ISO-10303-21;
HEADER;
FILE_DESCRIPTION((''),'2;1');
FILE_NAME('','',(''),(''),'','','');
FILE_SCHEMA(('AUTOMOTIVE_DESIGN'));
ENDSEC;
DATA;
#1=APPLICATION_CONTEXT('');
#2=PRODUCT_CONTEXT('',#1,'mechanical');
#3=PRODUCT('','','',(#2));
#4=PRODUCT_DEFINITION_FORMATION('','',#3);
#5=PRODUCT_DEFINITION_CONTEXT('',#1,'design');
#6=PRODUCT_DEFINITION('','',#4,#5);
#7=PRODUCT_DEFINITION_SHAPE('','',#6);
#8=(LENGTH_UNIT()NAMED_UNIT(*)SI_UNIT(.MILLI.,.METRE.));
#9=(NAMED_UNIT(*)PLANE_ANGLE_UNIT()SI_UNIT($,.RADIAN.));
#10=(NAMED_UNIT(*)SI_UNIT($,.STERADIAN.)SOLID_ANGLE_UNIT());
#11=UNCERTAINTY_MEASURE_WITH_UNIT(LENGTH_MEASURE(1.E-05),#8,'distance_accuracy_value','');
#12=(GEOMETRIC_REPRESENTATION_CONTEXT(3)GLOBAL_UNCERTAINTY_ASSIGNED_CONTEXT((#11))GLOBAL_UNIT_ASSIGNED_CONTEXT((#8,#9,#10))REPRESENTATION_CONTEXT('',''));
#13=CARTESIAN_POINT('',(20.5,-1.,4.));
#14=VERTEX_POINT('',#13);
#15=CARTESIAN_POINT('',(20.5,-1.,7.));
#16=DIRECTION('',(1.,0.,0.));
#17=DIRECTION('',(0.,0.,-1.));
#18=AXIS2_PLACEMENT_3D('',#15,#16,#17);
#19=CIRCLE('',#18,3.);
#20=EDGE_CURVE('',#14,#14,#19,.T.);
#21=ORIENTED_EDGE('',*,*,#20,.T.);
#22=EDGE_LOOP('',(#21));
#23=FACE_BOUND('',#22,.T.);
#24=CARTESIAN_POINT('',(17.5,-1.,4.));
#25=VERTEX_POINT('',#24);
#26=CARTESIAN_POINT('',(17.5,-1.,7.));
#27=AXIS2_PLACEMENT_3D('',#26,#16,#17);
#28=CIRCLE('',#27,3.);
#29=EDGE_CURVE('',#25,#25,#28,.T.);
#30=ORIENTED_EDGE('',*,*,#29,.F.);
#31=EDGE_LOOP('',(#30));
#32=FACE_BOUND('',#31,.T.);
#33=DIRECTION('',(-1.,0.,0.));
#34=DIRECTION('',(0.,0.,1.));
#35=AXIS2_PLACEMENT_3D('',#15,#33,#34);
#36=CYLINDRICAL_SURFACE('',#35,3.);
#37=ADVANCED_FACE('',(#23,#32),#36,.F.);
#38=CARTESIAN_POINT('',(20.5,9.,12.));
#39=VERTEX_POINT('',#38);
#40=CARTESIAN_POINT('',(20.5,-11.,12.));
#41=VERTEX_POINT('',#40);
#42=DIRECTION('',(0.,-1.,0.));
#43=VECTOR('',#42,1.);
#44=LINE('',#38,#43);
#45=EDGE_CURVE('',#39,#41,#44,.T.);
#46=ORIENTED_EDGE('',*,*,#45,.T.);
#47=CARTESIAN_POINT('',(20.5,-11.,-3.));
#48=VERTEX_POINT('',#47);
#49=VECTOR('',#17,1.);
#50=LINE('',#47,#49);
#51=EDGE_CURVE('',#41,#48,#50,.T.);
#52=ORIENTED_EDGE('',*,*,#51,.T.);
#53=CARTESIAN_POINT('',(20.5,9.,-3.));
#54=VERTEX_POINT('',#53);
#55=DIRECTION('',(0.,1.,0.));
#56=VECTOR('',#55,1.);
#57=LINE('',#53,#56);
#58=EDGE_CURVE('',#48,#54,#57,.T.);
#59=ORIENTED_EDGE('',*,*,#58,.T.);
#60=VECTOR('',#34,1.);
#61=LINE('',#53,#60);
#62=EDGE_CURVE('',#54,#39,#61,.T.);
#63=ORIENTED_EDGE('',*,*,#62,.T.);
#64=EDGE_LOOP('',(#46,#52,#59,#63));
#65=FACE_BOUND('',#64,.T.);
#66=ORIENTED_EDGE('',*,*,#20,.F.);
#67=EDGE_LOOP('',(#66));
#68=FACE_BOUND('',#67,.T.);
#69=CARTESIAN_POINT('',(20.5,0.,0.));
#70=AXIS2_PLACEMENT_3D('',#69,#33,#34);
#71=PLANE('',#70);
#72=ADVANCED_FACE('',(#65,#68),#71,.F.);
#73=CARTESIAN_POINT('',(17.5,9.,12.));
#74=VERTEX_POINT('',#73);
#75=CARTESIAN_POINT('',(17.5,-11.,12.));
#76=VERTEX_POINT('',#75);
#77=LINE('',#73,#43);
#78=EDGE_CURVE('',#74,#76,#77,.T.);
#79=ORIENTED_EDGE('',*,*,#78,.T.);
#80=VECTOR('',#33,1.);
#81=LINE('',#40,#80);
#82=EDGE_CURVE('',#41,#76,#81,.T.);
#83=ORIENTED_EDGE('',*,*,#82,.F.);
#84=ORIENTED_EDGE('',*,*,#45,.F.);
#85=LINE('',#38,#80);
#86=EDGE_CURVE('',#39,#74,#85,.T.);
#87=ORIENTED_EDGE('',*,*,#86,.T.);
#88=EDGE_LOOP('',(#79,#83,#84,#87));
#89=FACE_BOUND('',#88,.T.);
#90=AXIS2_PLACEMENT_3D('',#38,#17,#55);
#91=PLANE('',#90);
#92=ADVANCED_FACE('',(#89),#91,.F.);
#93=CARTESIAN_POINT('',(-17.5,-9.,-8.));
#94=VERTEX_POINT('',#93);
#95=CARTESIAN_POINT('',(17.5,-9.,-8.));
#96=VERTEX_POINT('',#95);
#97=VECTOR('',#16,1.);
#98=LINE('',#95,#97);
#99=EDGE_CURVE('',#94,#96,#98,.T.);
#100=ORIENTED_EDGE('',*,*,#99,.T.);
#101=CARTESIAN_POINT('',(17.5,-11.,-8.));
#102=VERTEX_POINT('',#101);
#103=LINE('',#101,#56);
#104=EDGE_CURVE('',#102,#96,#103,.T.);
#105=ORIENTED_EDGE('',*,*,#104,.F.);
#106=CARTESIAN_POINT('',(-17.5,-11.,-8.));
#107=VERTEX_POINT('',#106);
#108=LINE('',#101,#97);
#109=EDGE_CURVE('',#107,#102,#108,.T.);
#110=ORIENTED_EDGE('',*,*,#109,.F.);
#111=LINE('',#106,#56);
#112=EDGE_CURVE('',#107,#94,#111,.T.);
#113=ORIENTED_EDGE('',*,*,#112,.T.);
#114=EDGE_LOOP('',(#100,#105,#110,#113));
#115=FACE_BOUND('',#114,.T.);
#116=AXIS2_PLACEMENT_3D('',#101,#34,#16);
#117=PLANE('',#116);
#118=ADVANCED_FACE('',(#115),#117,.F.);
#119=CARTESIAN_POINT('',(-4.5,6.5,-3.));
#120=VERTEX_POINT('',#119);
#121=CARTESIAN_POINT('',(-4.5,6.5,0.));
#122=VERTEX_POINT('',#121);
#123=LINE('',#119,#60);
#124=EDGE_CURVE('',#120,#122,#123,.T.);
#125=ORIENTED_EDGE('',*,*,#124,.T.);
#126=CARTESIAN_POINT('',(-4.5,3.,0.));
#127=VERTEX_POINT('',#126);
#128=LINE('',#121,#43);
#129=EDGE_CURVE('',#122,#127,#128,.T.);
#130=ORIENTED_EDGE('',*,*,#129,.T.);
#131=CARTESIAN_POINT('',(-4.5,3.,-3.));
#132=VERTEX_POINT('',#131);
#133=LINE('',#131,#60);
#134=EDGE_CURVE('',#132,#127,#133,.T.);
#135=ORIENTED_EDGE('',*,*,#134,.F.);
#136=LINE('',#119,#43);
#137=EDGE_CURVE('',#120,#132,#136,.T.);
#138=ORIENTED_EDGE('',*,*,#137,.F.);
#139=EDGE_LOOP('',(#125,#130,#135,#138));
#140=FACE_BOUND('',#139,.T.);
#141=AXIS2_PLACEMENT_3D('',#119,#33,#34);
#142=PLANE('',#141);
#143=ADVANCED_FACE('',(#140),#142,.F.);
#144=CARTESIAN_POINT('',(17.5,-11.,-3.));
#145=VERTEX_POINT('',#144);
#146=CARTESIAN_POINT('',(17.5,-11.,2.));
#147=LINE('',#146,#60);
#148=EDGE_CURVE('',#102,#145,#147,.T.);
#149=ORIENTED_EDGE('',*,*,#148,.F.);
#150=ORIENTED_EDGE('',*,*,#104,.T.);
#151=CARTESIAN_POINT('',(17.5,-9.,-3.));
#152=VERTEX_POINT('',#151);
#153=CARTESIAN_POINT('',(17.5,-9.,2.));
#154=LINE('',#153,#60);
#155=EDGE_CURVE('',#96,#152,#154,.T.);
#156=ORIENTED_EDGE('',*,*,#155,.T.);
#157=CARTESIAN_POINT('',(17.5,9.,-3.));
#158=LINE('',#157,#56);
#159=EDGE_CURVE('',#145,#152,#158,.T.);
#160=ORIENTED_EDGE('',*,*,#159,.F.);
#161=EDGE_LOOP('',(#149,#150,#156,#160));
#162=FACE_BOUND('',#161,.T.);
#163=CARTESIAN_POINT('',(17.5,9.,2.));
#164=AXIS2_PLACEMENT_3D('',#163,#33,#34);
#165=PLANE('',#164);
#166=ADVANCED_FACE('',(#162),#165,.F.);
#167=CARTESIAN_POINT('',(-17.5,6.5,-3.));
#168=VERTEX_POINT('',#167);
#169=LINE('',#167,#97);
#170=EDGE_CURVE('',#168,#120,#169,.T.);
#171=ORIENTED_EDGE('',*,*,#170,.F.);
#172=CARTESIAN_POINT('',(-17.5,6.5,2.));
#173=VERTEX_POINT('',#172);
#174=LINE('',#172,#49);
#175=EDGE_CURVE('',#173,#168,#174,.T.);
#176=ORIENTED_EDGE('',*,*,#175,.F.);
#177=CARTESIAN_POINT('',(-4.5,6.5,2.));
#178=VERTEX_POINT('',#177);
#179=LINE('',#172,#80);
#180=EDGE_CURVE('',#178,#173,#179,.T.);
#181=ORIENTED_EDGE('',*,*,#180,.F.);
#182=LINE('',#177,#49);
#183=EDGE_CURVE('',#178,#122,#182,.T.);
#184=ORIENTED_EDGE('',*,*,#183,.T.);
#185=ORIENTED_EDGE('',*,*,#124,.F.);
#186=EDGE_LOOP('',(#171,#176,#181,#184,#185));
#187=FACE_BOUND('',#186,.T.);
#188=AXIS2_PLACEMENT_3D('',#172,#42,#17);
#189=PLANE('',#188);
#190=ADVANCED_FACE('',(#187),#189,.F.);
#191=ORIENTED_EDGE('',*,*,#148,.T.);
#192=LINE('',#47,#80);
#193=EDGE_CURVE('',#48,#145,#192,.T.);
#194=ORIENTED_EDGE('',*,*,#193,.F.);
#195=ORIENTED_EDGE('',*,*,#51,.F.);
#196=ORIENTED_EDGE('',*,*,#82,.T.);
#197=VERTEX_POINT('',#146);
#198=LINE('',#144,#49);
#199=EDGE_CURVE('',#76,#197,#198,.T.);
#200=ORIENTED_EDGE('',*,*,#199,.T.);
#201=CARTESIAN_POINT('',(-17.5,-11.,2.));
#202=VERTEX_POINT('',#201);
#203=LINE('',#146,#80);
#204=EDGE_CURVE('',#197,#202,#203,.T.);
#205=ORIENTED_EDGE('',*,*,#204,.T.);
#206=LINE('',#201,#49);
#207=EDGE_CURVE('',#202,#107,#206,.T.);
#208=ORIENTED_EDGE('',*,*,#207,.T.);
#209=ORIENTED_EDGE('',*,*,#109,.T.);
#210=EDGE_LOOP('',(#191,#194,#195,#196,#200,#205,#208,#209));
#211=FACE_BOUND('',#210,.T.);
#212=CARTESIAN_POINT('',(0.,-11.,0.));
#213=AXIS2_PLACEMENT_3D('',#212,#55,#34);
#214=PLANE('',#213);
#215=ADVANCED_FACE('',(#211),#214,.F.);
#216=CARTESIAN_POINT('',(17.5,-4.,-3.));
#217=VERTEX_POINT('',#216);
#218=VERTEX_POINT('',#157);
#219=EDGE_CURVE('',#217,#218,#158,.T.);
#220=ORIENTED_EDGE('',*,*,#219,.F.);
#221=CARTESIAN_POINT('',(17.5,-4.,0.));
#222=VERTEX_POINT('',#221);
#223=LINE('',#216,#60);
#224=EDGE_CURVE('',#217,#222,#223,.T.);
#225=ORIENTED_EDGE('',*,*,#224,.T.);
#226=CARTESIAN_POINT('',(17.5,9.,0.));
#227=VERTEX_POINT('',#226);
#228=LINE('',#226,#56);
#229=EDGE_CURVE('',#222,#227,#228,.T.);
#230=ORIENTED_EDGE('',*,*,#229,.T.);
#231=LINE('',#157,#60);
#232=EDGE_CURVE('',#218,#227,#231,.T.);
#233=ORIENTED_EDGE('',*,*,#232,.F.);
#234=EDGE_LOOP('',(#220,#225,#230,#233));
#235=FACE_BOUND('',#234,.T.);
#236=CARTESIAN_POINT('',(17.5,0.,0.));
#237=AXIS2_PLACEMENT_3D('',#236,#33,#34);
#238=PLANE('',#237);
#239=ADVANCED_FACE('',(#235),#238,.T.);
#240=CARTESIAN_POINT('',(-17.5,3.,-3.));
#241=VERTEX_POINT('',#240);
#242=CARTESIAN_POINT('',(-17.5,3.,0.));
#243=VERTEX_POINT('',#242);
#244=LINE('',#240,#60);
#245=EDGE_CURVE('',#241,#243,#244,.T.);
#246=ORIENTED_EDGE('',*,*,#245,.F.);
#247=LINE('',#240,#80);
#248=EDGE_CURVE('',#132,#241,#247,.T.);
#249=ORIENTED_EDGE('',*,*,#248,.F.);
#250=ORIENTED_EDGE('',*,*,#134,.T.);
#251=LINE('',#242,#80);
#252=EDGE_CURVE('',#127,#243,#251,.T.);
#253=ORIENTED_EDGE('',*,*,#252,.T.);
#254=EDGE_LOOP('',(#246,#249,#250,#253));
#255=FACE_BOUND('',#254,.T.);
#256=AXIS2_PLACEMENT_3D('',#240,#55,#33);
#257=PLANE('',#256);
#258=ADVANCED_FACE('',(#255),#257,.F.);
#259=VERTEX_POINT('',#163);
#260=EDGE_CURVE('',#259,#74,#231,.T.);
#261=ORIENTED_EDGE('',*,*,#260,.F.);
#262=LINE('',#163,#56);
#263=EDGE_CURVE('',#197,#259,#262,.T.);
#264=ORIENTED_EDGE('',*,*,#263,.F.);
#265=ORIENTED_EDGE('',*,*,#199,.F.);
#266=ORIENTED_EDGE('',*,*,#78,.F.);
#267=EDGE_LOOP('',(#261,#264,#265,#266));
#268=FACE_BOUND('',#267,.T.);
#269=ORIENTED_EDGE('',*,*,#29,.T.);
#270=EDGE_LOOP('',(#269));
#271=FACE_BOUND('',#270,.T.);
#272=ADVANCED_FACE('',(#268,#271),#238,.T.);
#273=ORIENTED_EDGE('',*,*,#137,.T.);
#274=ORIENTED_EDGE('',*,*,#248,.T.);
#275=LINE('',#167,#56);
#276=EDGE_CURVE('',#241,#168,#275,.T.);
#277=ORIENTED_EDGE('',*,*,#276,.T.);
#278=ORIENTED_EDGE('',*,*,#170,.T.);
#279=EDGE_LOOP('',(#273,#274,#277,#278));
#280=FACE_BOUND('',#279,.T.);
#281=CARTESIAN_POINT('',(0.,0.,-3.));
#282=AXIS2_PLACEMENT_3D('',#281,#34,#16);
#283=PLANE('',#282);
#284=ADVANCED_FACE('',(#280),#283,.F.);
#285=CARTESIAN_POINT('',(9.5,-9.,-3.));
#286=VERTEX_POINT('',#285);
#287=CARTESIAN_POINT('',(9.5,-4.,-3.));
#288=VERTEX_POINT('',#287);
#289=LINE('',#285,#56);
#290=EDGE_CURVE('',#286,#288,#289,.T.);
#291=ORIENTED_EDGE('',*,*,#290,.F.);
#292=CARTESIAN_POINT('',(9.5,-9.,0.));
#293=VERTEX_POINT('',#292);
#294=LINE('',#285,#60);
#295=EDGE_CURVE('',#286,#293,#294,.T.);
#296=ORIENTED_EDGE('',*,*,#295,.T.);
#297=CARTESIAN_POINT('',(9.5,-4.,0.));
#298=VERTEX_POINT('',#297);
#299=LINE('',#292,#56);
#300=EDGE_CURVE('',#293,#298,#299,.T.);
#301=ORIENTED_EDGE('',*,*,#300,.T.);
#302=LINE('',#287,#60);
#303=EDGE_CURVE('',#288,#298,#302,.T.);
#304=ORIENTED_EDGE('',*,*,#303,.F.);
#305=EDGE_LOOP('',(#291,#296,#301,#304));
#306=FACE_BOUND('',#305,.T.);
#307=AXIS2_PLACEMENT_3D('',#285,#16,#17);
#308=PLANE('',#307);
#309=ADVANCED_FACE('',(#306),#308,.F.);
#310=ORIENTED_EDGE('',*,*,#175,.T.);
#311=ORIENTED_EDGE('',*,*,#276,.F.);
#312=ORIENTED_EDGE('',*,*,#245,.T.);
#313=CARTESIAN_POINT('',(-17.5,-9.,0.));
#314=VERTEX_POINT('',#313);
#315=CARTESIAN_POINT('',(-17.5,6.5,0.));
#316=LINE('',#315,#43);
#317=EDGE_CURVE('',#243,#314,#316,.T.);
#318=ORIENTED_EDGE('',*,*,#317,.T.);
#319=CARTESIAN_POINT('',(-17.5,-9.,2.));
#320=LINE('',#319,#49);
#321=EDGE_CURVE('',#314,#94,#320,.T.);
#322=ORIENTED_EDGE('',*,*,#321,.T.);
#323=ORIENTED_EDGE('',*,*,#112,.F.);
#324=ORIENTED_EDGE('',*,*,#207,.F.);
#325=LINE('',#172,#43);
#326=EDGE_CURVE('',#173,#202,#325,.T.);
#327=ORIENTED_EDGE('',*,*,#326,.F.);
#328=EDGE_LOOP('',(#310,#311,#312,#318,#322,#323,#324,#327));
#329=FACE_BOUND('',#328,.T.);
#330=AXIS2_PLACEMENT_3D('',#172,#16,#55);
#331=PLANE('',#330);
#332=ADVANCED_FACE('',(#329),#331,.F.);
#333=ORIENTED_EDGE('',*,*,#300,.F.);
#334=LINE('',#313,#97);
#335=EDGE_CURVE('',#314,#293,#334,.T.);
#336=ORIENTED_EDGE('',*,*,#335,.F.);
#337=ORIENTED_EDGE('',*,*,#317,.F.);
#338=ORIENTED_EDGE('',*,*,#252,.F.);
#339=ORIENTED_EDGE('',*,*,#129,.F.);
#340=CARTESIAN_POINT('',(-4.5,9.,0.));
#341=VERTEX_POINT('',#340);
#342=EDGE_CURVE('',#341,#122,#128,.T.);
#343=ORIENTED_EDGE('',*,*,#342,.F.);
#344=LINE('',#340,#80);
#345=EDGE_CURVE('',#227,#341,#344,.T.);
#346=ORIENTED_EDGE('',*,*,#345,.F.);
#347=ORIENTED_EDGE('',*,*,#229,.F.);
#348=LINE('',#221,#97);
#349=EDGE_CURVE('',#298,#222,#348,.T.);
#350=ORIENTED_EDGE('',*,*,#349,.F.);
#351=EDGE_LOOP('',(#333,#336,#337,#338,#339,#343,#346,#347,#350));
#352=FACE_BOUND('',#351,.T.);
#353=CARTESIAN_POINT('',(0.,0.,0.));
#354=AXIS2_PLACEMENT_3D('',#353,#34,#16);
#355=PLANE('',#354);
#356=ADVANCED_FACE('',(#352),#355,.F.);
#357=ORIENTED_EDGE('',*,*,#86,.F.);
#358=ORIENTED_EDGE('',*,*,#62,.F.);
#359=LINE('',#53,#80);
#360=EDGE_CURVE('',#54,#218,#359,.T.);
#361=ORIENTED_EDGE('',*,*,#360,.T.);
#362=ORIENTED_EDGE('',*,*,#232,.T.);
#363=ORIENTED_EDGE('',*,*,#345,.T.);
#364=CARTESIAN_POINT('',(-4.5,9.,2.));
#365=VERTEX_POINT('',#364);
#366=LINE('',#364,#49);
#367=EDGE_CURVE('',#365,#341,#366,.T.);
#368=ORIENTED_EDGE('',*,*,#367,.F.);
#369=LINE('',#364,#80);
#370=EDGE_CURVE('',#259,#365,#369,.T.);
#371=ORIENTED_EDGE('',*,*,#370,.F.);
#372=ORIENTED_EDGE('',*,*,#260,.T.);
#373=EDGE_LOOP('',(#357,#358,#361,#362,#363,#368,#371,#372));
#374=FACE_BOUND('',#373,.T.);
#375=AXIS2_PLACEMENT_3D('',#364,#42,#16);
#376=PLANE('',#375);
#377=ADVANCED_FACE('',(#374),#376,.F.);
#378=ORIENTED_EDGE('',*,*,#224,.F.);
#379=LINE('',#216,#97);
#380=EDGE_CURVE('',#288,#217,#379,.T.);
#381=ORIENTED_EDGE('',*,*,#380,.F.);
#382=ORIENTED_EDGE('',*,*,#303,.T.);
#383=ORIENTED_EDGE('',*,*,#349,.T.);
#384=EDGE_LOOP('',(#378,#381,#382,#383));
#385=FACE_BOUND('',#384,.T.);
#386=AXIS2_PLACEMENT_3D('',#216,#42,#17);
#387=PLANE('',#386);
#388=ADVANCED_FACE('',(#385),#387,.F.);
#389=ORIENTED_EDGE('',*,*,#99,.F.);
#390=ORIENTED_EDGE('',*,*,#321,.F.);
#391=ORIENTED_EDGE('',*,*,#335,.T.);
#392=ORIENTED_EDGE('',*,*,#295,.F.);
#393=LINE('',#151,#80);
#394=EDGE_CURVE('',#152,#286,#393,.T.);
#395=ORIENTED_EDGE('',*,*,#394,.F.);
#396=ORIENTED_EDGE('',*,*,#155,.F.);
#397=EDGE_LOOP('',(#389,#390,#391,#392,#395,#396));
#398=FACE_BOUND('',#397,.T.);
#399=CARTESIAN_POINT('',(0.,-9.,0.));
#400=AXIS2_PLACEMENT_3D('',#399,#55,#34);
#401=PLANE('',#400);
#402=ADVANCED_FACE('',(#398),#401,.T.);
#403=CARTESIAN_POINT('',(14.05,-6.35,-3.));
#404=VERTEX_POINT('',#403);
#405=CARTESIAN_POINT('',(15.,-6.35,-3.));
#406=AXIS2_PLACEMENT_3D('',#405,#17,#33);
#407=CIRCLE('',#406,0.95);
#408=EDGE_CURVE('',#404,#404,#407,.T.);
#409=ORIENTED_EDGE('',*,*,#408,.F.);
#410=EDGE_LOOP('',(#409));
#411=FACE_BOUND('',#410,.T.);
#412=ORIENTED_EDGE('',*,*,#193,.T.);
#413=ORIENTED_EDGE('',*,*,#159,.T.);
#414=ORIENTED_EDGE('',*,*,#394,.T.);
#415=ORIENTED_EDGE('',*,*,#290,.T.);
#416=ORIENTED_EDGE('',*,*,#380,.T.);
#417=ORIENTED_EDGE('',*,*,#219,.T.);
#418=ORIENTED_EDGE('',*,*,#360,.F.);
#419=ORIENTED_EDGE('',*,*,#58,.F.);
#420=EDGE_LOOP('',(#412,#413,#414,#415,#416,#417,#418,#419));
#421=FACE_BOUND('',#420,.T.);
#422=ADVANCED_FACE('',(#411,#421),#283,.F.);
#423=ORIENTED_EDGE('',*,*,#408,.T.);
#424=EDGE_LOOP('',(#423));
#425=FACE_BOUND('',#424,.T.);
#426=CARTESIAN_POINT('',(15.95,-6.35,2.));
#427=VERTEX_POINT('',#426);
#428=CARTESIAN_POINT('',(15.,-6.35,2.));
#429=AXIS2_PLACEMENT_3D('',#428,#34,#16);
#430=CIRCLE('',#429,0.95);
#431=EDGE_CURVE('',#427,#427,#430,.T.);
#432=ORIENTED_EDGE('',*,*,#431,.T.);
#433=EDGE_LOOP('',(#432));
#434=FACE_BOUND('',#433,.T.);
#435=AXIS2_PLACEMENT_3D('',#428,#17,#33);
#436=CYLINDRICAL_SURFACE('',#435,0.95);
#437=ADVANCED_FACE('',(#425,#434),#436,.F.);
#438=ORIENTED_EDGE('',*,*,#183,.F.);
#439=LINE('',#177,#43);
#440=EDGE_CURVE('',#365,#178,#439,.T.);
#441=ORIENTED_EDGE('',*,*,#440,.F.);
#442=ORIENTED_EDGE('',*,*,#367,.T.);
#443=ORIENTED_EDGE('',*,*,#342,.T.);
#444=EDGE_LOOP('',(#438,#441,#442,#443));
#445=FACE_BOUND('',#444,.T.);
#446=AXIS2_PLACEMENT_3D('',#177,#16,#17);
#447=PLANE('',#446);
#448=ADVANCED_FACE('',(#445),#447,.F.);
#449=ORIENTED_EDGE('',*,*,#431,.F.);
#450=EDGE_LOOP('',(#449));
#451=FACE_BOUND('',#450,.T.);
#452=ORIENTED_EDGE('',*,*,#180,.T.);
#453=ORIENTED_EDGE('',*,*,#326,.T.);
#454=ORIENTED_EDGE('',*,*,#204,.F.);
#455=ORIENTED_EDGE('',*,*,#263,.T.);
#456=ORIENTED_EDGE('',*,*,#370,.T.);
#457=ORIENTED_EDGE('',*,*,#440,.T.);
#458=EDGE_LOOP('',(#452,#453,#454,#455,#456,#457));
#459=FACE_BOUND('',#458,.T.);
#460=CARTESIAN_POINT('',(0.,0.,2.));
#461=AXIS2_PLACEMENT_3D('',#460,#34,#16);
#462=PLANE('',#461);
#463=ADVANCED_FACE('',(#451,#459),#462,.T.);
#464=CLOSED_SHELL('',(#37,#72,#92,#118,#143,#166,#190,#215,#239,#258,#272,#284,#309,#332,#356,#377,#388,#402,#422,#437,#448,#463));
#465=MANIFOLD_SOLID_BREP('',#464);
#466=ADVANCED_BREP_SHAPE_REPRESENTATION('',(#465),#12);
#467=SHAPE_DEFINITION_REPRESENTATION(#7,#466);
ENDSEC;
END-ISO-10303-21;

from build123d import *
from build123d.topology import SkipClean

# Parameters (mm, degrees)
SKETCH_1_R      = 0.95
EXTRUDE_1_DEPTH = 2
EXTRUDE_START   = 3
SKETCH_2_W      = 8
SKETCH_2_H      = 5
SKETCH_2_R      = 0.95
SKETCH_2_W_2    = 13
SKETCH_2_H_2    = 3.5
EXTRUDE_2_DEPTH = 3
SKETCH_4_W      = 35
SKETCH_4_H      = 10
EXTRUDE_3_DEPTH = 2
SKETCH_5_W      = 15
SKETCH_5_H      = 20
SKETCH_5_R      = 3
EXTRUDE_4_DEPTH = 3


with BuildPart() as part:
    # 草图1 → 凸台-拉伸1 (new body)
    with BuildSketch(Plane.XY):
        Polygon((-17.5, 6.5), (-4.5, 6.5), (-4.5, 9), (17.5, 9), (17.5, -9), (-17.5, -9), align=None)
        with Locations((15, -6.35)):
            Circle(SKETCH_1_R, mode=Mode.SUBTRACT)
    extrude(amount=EXTRUDE_1_DEPTH)

    # 草图2 → 凸台-拉伸2 (add)
    # profile 1 of 2: a face of its own
    with SkipClean():  # the faces are left unmerged after this step: merging them gives an invalid solid
        with BuildSketch(Plane(origin=(0, 0, 0), x_dir=(-1, 0, 0), z_dir=(0, 0, -1)).offset(EXTRUDE_START)):
            with Locations((-13.5, -6.5)):
                Rectangle(SKETCH_2_W, SKETCH_2_H)
            with Locations((-15, -6.35)):
                Circle(SKETCH_2_R, mode=Mode.SUBTRACT)
        # profile 2 of 2: a face of its own
        with BuildSketch(Plane(origin=(0, 0, 0), x_dir=(-1, 0, 0), z_dir=(0, 0, -1)).offset(EXTRUDE_START)):
            with Locations((11, 4.75)):
                Rectangle(SKETCH_2_W_2, SKETCH_2_H_2)
        extrude(amount=-EXTRUDE_2_DEPTH)

    # 草图4 → 凸台-拉伸3 (add)
    with SkipClean():  # the faces are left unmerged after this step: merging them gives an invalid solid
        with BuildSketch(Plane.XZ.offset(9)):
            with Locations((0, -3)):
                Rectangle(SKETCH_4_W, SKETCH_4_H)
        extrude(amount=EXTRUDE_3_DEPTH)

    # 草图5 → 凸台-拉伸4 (add)
    with SkipClean():  # the faces are left unmerged after this step: merging them gives an invalid solid
        with BuildSketch(Plane(origin=(17.5, 0, 0), x_dir=(0, 0, -1), z_dir=(1, 0, 0))):
            with Locations((-4.5, -1)):
                Rectangle(SKETCH_5_W, SKETCH_5_H)
            with Locations((-7, -1)):
                Circle(SKETCH_5_R, mode=Mode.SUBTRACT)
        extrude(amount=EXTRUDE_4_DEPTH)


solid = part.part
